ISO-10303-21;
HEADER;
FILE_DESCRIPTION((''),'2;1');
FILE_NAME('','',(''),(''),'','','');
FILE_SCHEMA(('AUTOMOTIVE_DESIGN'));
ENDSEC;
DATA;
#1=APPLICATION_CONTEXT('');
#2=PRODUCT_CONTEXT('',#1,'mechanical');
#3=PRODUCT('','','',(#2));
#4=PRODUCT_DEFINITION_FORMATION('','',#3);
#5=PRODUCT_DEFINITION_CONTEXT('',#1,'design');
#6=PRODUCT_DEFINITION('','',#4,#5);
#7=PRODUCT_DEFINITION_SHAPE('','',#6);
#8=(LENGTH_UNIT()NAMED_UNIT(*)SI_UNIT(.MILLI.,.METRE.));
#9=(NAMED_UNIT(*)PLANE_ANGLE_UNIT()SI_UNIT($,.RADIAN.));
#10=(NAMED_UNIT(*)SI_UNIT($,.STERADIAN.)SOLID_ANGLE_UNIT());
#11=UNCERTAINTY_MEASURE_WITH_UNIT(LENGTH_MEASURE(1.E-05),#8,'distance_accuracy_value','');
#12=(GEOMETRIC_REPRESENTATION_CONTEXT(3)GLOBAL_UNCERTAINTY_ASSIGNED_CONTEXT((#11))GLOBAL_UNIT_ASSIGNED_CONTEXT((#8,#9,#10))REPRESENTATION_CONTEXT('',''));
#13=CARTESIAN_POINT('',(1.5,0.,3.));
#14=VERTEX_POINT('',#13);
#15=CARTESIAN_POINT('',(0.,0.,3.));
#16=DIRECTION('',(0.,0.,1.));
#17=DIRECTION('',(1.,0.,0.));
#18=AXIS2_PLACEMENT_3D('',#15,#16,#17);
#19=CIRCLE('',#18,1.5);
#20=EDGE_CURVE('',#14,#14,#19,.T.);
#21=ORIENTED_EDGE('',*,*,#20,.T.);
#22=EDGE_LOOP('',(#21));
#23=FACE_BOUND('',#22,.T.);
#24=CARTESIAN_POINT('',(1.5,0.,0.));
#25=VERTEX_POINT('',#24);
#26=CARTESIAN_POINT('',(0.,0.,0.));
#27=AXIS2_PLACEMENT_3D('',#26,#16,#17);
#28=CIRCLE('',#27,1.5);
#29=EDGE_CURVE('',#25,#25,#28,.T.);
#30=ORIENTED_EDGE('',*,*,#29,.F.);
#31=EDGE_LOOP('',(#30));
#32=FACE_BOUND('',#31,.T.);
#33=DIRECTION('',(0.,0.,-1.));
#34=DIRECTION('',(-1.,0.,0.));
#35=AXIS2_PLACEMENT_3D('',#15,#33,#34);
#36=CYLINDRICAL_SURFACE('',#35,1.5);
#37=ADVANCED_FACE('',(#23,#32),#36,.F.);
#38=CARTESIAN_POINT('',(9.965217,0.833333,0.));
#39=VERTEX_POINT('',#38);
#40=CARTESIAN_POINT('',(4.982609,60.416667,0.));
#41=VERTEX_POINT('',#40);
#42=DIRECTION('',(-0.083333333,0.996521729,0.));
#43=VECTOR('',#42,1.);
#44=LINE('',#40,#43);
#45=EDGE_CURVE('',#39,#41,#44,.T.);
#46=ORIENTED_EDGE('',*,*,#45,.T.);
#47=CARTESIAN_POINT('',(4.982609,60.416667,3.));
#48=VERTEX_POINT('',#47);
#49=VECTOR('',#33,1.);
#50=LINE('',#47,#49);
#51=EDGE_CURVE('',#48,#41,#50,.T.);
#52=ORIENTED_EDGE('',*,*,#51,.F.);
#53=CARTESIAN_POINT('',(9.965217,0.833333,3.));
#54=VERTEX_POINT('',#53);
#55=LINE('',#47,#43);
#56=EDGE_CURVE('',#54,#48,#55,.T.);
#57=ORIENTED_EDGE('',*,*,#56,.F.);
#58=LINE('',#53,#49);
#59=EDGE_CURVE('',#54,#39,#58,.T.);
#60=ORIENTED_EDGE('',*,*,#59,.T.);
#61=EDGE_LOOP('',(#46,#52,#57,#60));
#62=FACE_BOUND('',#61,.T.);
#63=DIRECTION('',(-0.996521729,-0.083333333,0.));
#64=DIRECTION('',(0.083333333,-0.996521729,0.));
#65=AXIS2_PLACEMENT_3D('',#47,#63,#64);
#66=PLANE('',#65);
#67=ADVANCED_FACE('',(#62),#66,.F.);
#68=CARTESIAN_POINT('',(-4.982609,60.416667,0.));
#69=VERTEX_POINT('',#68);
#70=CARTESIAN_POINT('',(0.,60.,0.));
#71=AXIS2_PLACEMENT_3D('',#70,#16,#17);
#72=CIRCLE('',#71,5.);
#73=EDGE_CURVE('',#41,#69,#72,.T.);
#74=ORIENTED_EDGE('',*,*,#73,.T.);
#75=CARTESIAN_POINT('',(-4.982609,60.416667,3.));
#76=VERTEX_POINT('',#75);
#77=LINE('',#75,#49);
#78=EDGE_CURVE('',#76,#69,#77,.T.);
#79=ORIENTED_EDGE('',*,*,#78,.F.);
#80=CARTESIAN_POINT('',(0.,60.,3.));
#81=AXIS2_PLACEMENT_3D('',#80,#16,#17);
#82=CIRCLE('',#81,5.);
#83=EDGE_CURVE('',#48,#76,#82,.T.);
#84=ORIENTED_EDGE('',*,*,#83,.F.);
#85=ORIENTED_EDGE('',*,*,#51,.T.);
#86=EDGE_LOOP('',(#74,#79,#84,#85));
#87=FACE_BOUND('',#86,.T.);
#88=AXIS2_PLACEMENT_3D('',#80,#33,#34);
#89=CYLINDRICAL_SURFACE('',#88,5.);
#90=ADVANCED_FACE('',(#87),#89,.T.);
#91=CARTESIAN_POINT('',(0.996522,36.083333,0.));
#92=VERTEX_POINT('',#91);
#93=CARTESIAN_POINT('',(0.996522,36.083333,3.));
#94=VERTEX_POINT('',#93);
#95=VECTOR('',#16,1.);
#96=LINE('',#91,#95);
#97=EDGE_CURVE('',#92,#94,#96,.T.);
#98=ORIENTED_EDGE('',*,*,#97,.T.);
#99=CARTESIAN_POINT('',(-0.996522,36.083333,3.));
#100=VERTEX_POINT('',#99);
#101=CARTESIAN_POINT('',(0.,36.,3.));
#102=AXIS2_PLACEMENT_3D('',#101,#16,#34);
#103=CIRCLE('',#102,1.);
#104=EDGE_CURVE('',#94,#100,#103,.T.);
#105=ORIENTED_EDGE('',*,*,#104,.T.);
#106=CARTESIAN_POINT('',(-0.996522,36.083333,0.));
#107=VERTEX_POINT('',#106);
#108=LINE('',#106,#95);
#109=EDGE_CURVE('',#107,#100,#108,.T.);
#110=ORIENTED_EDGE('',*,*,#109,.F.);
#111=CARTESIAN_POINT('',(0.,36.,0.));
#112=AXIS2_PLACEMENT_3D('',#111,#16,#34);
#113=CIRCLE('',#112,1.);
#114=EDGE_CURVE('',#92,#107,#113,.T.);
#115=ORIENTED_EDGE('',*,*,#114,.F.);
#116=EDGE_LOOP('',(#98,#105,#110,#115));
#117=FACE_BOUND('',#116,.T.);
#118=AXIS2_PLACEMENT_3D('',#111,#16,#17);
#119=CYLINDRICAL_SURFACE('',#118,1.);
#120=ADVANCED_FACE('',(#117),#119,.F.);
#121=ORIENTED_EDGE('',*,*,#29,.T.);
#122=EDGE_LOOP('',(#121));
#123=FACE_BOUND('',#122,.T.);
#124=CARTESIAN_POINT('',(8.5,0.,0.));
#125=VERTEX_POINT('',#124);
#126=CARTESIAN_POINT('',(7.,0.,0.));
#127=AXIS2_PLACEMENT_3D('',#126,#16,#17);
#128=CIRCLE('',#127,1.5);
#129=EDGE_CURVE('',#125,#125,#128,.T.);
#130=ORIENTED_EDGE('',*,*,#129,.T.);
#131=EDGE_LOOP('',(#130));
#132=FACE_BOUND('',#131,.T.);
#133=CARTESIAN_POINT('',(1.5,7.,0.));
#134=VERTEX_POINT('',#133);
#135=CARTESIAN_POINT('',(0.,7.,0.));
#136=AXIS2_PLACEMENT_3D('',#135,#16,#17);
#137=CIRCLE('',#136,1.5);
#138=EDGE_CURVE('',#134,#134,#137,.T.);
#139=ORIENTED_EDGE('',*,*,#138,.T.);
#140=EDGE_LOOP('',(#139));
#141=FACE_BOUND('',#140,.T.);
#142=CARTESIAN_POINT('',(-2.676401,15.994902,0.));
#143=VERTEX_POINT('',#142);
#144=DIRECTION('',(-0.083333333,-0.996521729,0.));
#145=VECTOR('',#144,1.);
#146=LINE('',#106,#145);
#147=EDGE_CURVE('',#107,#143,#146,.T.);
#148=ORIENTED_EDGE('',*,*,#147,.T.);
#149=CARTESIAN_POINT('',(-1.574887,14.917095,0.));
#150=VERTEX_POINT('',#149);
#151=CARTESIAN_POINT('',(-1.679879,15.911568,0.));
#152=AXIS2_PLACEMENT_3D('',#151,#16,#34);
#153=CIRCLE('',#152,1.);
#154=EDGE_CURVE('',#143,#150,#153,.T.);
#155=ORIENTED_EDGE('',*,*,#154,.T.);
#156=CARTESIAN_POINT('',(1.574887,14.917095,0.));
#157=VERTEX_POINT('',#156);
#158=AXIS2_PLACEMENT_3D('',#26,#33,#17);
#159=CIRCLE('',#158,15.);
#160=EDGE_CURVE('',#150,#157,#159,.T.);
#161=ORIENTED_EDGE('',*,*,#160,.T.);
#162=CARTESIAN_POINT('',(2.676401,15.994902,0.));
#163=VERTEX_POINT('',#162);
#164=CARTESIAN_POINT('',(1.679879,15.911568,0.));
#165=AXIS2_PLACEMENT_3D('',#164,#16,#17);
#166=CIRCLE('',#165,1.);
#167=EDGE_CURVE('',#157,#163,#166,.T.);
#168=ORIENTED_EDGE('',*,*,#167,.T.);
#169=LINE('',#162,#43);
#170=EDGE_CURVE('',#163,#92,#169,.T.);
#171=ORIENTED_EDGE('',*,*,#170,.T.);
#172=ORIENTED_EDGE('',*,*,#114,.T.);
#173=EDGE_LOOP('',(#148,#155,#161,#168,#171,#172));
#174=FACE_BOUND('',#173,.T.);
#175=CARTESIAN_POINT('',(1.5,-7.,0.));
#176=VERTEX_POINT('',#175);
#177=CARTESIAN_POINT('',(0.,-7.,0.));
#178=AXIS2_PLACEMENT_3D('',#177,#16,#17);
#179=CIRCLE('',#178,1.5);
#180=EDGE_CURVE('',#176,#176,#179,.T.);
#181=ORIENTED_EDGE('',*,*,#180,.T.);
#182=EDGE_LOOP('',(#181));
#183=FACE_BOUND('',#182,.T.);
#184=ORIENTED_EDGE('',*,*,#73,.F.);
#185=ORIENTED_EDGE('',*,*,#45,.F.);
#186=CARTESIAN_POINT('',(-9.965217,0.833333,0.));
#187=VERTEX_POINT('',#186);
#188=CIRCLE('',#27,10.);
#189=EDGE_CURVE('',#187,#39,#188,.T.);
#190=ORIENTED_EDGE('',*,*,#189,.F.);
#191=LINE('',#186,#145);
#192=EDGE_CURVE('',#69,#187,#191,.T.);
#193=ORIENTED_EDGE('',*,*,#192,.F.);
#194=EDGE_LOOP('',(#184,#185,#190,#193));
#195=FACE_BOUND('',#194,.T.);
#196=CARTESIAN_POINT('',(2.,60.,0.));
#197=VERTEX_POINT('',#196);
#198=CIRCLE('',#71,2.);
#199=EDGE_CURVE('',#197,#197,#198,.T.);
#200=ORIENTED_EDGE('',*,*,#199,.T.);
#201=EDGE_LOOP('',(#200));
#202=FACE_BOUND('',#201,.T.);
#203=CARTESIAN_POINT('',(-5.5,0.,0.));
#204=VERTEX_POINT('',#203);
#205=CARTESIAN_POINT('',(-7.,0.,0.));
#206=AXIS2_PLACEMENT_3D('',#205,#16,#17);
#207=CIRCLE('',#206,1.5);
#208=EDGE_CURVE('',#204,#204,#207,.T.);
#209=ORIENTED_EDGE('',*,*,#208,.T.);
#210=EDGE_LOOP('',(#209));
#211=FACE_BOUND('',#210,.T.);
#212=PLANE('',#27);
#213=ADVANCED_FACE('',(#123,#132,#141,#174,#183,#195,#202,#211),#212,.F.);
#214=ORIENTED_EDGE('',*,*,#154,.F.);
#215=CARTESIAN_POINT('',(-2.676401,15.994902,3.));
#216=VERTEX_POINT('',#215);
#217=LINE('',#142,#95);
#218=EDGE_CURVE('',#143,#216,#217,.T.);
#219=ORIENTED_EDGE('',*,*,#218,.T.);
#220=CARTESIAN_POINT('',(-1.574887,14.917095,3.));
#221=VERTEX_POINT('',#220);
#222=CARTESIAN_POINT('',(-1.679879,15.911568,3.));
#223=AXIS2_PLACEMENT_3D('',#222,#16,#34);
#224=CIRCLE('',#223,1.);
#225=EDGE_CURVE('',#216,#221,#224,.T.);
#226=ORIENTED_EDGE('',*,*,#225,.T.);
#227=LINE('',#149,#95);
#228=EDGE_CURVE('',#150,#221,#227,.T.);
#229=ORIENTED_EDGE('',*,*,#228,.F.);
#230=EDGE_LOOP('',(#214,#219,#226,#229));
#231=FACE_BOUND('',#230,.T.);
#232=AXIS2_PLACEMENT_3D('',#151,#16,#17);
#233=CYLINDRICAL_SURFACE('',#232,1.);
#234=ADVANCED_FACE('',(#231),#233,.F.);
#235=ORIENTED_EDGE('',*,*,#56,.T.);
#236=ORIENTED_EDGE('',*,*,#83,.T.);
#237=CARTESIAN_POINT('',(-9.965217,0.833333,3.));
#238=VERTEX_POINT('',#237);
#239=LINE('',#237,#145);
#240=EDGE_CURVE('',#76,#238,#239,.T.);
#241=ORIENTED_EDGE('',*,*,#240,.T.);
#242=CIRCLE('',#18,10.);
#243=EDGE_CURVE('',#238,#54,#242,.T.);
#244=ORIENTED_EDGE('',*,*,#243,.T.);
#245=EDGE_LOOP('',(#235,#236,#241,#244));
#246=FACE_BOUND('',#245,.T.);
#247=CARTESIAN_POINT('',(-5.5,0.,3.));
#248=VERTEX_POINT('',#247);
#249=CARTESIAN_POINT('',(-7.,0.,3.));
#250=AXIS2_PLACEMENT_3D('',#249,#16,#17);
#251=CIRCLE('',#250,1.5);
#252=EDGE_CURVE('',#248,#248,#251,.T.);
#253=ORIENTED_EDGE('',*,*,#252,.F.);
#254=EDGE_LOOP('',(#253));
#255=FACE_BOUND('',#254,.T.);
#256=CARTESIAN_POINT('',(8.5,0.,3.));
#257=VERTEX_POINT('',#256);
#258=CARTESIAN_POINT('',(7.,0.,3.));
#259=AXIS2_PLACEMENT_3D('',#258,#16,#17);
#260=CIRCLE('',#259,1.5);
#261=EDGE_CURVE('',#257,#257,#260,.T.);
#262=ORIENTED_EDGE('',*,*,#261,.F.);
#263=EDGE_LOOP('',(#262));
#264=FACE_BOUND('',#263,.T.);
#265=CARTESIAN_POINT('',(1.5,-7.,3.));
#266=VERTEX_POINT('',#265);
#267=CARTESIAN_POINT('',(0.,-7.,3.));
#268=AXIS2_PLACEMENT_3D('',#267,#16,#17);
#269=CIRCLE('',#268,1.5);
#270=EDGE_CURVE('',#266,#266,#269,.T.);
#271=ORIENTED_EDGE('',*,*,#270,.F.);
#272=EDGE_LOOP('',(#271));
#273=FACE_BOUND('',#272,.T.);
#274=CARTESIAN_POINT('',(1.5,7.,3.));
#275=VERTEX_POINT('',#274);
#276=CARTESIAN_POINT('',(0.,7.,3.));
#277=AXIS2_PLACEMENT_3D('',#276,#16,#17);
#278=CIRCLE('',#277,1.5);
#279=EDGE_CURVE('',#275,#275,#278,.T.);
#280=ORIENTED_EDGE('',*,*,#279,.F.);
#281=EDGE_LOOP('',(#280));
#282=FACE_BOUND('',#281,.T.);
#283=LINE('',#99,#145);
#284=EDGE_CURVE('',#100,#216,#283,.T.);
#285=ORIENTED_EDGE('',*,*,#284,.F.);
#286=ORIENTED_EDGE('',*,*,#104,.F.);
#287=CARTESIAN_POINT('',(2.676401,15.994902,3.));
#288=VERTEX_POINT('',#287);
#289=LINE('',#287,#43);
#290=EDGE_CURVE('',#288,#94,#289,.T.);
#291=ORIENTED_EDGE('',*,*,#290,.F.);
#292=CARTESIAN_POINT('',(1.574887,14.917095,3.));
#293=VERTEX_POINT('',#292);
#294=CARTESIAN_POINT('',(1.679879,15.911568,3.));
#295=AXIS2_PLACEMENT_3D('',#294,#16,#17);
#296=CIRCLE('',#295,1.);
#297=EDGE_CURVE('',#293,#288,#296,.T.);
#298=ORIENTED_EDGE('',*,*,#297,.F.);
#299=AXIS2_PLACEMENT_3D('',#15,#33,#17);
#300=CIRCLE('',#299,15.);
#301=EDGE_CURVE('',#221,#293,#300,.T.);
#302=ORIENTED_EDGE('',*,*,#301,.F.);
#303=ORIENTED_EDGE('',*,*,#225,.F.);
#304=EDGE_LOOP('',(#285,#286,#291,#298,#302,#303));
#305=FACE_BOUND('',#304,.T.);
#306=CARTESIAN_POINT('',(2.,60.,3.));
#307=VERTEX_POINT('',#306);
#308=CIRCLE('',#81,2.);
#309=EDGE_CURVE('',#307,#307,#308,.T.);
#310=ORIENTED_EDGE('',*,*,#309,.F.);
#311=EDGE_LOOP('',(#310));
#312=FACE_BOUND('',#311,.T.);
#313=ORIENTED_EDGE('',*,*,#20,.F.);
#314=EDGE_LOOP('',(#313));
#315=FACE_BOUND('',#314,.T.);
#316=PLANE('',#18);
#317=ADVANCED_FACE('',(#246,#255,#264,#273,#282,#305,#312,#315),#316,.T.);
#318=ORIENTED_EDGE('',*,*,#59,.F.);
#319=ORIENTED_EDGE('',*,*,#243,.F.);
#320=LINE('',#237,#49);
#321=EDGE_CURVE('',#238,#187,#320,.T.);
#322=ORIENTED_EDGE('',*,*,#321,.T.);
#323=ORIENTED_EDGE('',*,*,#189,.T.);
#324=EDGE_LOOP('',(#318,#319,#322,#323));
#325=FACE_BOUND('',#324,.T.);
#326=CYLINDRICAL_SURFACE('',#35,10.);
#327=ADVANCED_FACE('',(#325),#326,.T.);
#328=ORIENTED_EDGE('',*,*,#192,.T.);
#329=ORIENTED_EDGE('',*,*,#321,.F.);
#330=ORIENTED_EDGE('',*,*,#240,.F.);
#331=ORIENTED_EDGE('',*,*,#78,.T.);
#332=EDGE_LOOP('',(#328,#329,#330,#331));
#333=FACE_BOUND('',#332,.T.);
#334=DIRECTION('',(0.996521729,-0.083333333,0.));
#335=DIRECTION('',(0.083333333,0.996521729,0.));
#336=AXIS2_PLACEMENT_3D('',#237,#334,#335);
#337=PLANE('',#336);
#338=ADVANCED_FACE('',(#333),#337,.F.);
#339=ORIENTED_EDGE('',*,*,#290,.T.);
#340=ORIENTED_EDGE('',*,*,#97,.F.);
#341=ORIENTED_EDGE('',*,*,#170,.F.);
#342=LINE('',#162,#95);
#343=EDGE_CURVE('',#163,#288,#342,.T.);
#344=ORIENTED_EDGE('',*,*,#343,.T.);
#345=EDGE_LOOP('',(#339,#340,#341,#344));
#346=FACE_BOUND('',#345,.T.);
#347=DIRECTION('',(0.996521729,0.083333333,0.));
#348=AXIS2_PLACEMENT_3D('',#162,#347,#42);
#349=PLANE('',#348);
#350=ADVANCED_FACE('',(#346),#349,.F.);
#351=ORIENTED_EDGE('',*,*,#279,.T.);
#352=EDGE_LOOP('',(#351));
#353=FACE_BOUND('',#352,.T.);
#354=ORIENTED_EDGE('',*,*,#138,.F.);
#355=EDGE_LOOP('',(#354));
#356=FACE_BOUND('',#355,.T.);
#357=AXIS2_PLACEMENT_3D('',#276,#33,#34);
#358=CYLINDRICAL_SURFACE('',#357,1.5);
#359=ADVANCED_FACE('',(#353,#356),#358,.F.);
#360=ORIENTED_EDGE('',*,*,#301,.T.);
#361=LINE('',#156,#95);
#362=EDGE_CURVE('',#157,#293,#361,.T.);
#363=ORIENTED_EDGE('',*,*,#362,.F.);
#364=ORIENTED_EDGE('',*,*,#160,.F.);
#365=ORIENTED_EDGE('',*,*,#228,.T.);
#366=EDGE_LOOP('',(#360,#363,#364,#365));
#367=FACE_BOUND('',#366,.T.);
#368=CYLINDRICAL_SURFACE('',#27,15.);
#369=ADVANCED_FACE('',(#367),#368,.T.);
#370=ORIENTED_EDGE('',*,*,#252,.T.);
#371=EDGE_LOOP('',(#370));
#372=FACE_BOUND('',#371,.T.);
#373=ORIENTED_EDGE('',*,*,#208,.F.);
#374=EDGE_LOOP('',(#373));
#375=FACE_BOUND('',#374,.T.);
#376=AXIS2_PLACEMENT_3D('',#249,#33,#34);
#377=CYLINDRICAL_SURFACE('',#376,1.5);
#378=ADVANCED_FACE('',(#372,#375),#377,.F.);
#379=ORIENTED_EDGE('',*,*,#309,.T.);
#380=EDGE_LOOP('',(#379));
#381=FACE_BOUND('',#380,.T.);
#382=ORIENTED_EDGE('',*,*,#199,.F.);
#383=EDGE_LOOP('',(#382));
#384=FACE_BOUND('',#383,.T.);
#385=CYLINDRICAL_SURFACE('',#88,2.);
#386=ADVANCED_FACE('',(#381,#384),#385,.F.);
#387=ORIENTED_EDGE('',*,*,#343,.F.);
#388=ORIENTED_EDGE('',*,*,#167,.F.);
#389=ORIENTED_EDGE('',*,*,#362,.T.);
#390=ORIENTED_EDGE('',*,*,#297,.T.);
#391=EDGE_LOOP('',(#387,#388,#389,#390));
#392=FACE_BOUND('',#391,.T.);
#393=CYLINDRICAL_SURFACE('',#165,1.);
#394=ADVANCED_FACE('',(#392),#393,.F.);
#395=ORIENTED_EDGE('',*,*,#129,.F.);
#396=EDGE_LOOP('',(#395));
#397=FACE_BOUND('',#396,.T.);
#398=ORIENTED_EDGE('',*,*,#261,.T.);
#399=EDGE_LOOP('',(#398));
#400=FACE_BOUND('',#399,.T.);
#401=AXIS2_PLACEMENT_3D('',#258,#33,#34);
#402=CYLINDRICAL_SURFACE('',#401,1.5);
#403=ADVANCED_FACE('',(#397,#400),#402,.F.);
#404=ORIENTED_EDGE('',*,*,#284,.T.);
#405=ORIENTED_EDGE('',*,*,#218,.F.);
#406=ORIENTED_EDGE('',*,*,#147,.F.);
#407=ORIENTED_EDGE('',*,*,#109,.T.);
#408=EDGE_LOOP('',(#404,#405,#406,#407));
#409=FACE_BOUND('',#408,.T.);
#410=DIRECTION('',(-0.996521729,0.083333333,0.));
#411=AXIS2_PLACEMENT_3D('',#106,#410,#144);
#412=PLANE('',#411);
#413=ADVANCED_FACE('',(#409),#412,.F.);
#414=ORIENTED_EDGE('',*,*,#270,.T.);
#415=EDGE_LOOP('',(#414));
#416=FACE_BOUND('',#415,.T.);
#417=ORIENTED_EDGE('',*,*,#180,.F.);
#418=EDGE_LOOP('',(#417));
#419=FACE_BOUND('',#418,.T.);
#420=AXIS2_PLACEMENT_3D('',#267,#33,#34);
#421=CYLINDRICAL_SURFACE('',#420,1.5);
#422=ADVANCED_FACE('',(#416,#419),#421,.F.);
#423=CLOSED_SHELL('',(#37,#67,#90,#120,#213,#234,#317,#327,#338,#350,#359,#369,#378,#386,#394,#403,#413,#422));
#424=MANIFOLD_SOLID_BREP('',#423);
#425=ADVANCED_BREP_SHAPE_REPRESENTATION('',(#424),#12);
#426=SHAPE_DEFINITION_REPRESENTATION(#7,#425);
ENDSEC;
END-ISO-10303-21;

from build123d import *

# Parameters (mm, degrees)
SKETCH_2_R          = 1.5
SKETCH_2_R_2        = 2
EXTRUDE_1_DEPTH     = 3
CUT_EXTRUDE_1_DEPTH = 66.833122363


with BuildPart() as part:
    # 草图2 → 凸台-拉伸1 (new body)
    with BuildSketch(Plane.XY):
        with BuildLine():
            Line((-9.965217286, 0.833333333), (-4.982608643, 60.416666667))
            ThreePointArc((-4.982608643, 60.416666667), (0, 65), (4.982608643, 60.416666667))
            Line((4.982608643, 60.416666667), (9.965217286, 0.833333333))
            ThreePointArc((9.965217286, 0.833333333), (0, -10), (-9.965217286, 0.833333333))
        make_face()
        Circle(SKETCH_2_R, mode=Mode.SUBTRACT)
        with Locations((0, 7)):
            Circle(SKETCH_2_R, mode=Mode.SUBTRACT)
        with Locations((7, 0)):
            Circle(SKETCH_2_R, mode=Mode.SUBTRACT)
        with Locations((0, -7)):
            Circle(SKETCH_2_R, mode=Mode.SUBTRACT)
        with Locations((-7, 0)):
            Circle(SKETCH_2_R, mode=Mode.SUBTRACT)
        with Locations((0, 60)):
            Circle(SKETCH_2_R_2, mode=Mode.SUBTRACT)
    extrude(amount=EXTRUDE_1_DEPTH)

    # 草图3 → 切除-拉伸1 (cut, through all)
    with BuildSketch(Plane.XY.offset(3)):
        with BuildLine():
            Line((2.676400777, 15.994901653), (0.996521729, 36.083333333))
            ThreePointArc((0.996521729, 36.083333333), (0, 37), (-0.996521729, 36.083333333))
            Line((-0.996521729, 36.083333333), (-2.676400777, 15.994901653))
            ThreePointArc((-2.676400777, 15.994901653), (-2.379252162, 15.196811544), (-1.574886608, 14.917095299))
            ThreePointArc((-1.574886608, 14.917095299), (0, 15), (1.574886608, 14.917095299))
            ThreePointArc((1.574886608, 14.917095299), (2.379252162, 15.196811544), (2.676400777, 15.994901653))
        make_face()
    extrude(amount=-CUT_EXTRUDE_1_DEPTH, mode=Mode.SUBTRACT)


solid = part.part
